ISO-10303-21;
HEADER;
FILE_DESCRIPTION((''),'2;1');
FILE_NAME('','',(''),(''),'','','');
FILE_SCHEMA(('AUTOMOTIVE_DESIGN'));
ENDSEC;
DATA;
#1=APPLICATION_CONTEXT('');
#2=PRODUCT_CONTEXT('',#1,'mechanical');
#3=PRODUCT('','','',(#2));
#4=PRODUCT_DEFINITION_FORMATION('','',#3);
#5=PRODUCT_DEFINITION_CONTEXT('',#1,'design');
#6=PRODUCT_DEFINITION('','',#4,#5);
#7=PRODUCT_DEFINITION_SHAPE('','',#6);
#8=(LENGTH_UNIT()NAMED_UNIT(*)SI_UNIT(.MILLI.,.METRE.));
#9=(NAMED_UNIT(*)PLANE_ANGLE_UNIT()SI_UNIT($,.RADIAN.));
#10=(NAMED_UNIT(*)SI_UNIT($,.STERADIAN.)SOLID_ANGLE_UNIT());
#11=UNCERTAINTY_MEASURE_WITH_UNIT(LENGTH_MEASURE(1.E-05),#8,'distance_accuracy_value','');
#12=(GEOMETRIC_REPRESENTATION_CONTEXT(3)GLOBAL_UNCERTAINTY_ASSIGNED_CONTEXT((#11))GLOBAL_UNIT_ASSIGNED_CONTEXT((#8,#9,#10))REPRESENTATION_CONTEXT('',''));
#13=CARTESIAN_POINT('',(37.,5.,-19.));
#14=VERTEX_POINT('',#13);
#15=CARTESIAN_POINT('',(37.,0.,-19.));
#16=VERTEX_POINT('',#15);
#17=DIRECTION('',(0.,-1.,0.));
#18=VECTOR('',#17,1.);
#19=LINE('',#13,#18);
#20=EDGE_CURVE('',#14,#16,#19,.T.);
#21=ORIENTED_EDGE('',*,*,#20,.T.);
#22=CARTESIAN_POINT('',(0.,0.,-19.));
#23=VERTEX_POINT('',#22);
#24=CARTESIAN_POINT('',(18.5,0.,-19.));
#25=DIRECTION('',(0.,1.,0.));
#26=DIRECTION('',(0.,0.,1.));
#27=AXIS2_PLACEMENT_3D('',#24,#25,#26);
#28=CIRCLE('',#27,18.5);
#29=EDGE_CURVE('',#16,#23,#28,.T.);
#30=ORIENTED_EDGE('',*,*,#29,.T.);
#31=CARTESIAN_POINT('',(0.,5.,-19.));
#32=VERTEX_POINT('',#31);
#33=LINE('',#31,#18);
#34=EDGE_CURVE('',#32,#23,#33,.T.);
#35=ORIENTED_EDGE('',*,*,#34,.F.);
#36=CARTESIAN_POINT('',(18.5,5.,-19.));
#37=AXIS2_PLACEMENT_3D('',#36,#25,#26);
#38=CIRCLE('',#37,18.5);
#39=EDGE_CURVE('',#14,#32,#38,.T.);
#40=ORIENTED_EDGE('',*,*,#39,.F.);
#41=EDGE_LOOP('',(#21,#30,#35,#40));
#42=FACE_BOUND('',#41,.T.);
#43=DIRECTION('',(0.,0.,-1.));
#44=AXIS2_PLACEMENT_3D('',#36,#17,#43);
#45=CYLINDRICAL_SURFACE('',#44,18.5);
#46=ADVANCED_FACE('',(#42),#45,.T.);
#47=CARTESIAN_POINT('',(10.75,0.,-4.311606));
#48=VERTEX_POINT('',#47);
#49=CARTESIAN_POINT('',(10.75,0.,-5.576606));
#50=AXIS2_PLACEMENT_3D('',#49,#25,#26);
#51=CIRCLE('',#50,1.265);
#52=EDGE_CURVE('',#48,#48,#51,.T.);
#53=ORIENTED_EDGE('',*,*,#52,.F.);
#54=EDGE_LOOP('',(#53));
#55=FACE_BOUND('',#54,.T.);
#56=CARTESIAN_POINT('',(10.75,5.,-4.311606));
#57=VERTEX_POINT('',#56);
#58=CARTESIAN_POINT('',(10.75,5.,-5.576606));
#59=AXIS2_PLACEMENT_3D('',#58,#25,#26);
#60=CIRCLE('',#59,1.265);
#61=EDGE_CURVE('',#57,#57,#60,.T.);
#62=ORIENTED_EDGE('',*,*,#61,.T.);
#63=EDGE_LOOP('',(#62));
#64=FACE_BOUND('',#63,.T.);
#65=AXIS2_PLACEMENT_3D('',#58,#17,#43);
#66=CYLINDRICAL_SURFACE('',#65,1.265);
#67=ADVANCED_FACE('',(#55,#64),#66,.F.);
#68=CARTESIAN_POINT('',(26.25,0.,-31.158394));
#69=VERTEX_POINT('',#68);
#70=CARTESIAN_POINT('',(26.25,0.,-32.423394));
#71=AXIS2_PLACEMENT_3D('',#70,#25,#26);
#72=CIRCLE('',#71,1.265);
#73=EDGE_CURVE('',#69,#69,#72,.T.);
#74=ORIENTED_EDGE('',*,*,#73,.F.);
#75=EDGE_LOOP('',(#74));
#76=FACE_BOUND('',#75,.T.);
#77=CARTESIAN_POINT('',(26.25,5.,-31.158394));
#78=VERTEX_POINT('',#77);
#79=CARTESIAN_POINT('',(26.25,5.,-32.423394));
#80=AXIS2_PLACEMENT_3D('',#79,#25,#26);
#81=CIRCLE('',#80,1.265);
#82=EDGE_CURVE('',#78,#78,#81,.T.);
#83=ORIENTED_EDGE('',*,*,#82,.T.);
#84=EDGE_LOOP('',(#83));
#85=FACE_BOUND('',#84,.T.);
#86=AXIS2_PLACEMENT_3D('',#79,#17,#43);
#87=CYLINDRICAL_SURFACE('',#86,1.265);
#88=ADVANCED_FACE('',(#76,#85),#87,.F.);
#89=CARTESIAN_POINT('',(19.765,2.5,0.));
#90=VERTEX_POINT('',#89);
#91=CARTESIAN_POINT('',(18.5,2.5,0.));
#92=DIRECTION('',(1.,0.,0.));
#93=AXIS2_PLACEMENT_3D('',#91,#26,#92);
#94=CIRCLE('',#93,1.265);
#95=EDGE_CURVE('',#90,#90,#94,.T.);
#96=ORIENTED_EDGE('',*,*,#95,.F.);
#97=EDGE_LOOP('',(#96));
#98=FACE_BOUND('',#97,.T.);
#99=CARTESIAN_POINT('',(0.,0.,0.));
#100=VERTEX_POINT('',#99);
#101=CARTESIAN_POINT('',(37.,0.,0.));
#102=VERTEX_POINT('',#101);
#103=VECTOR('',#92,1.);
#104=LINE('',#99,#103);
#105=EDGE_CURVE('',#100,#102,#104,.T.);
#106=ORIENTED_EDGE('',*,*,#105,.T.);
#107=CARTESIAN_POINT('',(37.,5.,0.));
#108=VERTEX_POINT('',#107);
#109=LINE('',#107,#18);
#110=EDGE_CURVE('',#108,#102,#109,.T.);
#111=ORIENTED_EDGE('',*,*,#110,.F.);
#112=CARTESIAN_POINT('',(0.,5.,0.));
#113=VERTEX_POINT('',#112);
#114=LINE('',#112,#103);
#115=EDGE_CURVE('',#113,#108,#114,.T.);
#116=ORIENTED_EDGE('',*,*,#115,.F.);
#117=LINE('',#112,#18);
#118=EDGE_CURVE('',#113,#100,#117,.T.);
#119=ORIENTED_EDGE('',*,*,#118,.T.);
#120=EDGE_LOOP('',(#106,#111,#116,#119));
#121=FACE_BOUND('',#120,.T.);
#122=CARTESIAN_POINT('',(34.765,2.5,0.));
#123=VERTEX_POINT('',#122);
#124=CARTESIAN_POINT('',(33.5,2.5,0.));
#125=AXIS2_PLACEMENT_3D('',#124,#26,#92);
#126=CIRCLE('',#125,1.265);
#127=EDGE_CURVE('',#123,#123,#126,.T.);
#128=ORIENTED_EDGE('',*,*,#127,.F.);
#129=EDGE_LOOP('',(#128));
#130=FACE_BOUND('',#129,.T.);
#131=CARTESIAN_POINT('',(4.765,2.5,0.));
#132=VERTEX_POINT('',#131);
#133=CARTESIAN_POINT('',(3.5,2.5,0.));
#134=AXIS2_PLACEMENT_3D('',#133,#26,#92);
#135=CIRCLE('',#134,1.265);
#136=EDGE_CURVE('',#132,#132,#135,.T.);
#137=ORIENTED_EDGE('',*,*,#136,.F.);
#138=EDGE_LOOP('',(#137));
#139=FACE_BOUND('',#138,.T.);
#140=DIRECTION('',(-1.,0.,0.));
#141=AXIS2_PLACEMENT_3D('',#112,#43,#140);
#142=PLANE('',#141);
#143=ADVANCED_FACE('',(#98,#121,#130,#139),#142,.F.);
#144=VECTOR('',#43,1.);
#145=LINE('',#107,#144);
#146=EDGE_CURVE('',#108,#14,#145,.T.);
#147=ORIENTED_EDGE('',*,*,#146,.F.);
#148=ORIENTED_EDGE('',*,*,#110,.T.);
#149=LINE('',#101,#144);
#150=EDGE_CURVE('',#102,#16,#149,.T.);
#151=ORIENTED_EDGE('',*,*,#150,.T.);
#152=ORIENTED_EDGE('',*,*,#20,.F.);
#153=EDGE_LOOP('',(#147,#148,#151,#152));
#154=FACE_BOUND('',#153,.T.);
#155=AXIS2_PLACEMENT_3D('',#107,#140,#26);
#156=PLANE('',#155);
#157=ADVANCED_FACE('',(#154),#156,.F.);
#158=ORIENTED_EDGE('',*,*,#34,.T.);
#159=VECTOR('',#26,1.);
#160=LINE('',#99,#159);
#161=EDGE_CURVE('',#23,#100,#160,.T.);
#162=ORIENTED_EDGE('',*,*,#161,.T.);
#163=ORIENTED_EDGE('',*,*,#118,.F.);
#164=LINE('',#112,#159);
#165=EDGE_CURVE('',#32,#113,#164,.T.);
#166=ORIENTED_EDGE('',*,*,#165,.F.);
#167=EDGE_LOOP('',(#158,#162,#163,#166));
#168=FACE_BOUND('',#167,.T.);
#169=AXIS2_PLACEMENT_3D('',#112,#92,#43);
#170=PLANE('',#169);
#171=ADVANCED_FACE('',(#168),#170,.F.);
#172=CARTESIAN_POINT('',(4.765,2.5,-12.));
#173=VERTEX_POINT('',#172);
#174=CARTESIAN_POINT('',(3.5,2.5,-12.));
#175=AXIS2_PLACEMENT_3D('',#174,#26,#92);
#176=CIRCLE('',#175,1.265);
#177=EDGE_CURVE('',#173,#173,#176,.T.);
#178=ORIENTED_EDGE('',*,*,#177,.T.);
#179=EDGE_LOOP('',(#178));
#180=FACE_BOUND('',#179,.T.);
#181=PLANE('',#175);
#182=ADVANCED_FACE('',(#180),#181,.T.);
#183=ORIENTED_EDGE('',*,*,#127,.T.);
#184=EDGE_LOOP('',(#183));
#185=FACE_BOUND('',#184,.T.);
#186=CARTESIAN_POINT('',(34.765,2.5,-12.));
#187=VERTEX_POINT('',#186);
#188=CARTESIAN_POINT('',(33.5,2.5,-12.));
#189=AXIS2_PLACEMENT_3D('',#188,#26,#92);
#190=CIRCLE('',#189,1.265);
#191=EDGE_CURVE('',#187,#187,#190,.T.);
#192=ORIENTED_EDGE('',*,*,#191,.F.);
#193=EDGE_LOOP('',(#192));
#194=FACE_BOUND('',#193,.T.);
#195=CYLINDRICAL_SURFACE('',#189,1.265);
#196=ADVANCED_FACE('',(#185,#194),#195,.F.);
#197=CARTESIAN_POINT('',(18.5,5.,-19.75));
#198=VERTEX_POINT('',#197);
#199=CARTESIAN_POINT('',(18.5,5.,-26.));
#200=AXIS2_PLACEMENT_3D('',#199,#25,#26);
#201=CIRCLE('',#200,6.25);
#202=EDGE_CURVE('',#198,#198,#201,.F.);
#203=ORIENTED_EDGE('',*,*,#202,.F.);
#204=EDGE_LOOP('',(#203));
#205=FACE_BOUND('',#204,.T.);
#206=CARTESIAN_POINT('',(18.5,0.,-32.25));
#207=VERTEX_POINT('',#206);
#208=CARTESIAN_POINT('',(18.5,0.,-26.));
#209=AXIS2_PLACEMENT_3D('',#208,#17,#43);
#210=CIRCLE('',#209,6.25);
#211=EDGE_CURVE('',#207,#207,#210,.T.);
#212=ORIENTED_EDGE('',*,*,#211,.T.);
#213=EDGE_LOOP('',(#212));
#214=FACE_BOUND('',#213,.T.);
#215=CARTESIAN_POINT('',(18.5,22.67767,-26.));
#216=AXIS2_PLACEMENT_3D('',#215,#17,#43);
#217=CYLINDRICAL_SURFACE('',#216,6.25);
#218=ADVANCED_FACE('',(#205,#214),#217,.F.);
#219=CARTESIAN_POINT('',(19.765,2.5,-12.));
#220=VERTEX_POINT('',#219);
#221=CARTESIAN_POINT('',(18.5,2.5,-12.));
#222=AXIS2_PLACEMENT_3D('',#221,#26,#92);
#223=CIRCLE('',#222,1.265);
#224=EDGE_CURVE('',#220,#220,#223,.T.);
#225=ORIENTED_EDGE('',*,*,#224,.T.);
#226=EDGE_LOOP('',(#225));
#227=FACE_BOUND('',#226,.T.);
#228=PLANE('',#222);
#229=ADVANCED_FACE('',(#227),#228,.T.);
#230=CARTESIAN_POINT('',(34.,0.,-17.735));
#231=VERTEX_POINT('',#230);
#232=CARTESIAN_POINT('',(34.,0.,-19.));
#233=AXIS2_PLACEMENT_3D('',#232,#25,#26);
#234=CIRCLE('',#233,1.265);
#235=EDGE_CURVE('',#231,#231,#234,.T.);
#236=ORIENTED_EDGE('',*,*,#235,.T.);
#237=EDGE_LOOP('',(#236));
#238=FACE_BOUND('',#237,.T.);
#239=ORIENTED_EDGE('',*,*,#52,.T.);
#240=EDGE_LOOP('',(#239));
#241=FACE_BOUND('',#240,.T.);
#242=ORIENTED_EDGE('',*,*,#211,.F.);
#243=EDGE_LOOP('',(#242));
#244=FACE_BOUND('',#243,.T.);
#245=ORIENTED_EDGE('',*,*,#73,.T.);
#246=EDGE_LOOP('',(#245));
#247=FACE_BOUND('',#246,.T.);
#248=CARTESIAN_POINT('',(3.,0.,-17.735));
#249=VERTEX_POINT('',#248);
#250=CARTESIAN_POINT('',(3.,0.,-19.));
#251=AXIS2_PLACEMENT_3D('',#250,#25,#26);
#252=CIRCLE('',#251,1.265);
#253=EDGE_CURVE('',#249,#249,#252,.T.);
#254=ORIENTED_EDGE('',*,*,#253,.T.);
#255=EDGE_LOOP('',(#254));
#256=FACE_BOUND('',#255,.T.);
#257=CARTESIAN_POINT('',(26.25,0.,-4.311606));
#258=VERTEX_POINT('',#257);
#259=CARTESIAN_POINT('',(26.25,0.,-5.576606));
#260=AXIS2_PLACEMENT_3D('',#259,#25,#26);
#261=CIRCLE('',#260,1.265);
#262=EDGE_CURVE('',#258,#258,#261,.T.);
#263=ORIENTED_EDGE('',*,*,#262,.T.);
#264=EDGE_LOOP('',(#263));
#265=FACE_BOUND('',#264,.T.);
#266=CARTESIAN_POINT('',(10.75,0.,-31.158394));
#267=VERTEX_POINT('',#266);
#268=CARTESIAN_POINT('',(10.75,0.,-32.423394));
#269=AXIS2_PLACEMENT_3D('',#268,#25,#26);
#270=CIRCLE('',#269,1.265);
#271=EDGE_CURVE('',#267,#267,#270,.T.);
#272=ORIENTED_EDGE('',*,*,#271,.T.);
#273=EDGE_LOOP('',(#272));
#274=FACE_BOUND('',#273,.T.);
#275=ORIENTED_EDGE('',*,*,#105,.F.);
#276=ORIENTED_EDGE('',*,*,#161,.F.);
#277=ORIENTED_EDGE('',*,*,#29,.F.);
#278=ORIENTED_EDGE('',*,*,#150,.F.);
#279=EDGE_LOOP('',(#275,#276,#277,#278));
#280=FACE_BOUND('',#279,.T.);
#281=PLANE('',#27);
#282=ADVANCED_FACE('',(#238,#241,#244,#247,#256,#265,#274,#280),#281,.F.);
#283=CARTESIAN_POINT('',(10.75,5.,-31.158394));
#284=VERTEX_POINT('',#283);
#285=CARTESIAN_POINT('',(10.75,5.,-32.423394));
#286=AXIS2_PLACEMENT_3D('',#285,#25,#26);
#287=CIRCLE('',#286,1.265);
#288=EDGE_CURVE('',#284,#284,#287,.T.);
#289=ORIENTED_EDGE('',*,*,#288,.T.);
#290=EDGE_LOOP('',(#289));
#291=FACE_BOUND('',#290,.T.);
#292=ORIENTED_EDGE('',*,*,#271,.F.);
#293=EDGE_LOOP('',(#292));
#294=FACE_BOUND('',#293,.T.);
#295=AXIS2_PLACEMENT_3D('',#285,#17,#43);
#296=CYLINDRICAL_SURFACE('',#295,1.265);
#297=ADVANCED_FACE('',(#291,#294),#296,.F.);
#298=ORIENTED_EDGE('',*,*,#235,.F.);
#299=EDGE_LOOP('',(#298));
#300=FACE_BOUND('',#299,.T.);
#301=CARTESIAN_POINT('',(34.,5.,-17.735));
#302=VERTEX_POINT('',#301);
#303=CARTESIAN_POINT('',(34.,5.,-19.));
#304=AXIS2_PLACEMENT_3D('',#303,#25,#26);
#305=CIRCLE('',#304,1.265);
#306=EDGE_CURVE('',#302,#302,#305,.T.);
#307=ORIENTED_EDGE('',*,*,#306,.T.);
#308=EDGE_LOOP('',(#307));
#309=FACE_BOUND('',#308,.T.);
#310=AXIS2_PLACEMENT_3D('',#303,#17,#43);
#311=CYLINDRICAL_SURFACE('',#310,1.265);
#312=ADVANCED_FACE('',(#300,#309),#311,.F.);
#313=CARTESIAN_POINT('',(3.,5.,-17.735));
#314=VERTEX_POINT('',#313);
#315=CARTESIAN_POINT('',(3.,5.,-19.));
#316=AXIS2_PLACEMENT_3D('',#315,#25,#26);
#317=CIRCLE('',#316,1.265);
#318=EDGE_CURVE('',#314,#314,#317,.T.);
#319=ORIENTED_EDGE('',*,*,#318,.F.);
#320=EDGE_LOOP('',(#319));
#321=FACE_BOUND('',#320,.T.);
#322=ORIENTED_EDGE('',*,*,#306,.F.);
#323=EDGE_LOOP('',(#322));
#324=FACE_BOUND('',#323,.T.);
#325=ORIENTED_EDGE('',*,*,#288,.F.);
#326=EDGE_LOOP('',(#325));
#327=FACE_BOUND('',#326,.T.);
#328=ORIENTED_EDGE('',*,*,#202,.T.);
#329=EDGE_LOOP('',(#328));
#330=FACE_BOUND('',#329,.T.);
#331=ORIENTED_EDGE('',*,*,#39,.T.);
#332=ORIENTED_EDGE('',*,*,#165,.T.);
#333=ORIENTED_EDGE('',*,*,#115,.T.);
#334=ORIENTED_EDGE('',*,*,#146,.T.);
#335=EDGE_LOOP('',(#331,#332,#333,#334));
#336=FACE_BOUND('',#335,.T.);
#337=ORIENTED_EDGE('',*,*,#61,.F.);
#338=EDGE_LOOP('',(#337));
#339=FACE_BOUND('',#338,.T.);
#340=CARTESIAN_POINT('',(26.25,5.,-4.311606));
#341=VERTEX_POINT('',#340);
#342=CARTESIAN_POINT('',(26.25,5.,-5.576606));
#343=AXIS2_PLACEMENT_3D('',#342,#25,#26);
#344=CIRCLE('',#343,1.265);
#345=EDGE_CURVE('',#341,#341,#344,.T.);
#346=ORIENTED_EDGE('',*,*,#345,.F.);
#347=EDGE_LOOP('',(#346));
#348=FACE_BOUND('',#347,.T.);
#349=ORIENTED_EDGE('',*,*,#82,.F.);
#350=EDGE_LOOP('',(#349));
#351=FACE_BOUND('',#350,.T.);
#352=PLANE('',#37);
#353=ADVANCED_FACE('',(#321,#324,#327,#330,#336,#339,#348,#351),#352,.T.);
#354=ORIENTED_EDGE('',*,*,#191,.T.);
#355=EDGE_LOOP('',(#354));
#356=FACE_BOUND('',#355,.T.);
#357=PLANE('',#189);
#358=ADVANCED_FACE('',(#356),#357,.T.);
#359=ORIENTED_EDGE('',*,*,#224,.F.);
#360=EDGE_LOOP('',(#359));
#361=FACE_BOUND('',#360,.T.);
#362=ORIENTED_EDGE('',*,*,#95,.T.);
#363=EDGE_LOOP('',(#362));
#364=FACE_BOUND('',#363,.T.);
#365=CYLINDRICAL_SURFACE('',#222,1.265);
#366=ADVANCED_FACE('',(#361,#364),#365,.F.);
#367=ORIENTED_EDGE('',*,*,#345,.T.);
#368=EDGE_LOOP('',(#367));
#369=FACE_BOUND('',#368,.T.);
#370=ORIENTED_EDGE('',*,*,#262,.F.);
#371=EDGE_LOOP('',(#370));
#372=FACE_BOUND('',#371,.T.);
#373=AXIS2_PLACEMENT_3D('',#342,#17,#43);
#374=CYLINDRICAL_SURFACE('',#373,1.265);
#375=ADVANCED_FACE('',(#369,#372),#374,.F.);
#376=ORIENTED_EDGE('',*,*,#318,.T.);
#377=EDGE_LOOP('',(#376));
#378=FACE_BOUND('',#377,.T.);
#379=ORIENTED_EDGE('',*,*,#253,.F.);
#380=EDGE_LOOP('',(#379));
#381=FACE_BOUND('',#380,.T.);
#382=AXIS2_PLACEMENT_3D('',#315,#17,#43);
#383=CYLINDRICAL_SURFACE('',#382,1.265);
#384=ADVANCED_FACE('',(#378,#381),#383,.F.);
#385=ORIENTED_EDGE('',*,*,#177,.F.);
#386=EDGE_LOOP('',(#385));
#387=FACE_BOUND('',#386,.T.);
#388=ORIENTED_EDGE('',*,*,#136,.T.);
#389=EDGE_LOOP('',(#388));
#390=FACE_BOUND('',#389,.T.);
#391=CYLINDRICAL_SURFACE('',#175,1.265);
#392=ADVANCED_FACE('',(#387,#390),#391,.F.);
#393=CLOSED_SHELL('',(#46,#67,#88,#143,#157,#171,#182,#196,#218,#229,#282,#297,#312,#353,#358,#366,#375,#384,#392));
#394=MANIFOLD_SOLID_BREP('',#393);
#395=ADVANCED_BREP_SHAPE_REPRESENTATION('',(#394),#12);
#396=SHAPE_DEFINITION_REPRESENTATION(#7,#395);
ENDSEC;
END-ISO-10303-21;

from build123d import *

# Parameters (mm, degrees)
ESBO_O2_R                = 1.265
RESSALTO_EXTRUS_O1_DEPTH = 5
ESBO_O3_R                = 6.25
CORTE_EXTRUS_O1_DEPTH    = 5
ESBO_O4_R                = 1.265
CORTE_EXTRUS_O2_DEPTH    = 12


with BuildPart() as part:
    # Esboço2 → Ressalto-extrusão1 (new body)
    with BuildSketch(Plane(origin=(0, 0, 0), x_dir=(1, 0, 0), z_dir=(0, 1, 0))):
        with BuildLine():
            Line((0, 0), (37, 0))
            Line((37, 0), (37, 19))
            ThreePointArc((37, 19), (18.5, 37.5), (0, 19))
            Line((0, 19), (0, 0))
        make_face()
        with Locations(Location((10.75, 32.423393759, 0), (0, 0, 270))):
            Circle(ESBO_O2_R, mode=Mode.SUBTRACT)
        with Locations(Location((26.25, 32.423393759, 0), (0, 0, 270))):
            Circle(ESBO_O2_R, mode=Mode.SUBTRACT)
        with Locations(Location((34, 19, 0), (0, 0, 270))):
            Circle(ESBO_O2_R, mode=Mode.SUBTRACT)
        with Locations(Location((26.25, 5.576606241, 0), (0, 0, 270))):
            Circle(ESBO_O2_R, mode=Mode.SUBTRACT)
        with Locations(Location((10.75, 5.576606241, 0), (0, 0, 270))):
            Circle(ESBO_O2_R, mode=Mode.SUBTRACT)
        with Locations(Location((3, 19, 0), (0, 0, 270))):
            Circle(ESBO_O2_R, mode=Mode.SUBTRACT)
    extrude(amount=RESSALTO_EXTRUS_O1_DEPTH)

    # Esboço3 → Corte-extrusão1 (cut)
    with BuildSketch(Plane.XZ):
        with Locations(Location((18.5, -26, 0), (0, 0, 270))):
            Circle(ESBO_O3_R)
    extrude(amount=-CORTE_EXTRUS_O1_DEPTH, mode=Mode.SUBTRACT)

    # Esboço4 → Corte-extrusão2 (cut)
    with BuildSketch(Plane.XY):
        with Locations((3.5, 2.5)):
            Circle(ESBO_O4_R)
        with Locations((18.5, 2.5)):
            Circle(ESBO_O4_R)
        with Locations((33.5, 2.5)):
            Circle(ESBO_O4_R)
    extrude(amount=-CORTE_EXTRUS_O2_DEPTH, mode=Mode.SUBTRACT)


solid = part.part
